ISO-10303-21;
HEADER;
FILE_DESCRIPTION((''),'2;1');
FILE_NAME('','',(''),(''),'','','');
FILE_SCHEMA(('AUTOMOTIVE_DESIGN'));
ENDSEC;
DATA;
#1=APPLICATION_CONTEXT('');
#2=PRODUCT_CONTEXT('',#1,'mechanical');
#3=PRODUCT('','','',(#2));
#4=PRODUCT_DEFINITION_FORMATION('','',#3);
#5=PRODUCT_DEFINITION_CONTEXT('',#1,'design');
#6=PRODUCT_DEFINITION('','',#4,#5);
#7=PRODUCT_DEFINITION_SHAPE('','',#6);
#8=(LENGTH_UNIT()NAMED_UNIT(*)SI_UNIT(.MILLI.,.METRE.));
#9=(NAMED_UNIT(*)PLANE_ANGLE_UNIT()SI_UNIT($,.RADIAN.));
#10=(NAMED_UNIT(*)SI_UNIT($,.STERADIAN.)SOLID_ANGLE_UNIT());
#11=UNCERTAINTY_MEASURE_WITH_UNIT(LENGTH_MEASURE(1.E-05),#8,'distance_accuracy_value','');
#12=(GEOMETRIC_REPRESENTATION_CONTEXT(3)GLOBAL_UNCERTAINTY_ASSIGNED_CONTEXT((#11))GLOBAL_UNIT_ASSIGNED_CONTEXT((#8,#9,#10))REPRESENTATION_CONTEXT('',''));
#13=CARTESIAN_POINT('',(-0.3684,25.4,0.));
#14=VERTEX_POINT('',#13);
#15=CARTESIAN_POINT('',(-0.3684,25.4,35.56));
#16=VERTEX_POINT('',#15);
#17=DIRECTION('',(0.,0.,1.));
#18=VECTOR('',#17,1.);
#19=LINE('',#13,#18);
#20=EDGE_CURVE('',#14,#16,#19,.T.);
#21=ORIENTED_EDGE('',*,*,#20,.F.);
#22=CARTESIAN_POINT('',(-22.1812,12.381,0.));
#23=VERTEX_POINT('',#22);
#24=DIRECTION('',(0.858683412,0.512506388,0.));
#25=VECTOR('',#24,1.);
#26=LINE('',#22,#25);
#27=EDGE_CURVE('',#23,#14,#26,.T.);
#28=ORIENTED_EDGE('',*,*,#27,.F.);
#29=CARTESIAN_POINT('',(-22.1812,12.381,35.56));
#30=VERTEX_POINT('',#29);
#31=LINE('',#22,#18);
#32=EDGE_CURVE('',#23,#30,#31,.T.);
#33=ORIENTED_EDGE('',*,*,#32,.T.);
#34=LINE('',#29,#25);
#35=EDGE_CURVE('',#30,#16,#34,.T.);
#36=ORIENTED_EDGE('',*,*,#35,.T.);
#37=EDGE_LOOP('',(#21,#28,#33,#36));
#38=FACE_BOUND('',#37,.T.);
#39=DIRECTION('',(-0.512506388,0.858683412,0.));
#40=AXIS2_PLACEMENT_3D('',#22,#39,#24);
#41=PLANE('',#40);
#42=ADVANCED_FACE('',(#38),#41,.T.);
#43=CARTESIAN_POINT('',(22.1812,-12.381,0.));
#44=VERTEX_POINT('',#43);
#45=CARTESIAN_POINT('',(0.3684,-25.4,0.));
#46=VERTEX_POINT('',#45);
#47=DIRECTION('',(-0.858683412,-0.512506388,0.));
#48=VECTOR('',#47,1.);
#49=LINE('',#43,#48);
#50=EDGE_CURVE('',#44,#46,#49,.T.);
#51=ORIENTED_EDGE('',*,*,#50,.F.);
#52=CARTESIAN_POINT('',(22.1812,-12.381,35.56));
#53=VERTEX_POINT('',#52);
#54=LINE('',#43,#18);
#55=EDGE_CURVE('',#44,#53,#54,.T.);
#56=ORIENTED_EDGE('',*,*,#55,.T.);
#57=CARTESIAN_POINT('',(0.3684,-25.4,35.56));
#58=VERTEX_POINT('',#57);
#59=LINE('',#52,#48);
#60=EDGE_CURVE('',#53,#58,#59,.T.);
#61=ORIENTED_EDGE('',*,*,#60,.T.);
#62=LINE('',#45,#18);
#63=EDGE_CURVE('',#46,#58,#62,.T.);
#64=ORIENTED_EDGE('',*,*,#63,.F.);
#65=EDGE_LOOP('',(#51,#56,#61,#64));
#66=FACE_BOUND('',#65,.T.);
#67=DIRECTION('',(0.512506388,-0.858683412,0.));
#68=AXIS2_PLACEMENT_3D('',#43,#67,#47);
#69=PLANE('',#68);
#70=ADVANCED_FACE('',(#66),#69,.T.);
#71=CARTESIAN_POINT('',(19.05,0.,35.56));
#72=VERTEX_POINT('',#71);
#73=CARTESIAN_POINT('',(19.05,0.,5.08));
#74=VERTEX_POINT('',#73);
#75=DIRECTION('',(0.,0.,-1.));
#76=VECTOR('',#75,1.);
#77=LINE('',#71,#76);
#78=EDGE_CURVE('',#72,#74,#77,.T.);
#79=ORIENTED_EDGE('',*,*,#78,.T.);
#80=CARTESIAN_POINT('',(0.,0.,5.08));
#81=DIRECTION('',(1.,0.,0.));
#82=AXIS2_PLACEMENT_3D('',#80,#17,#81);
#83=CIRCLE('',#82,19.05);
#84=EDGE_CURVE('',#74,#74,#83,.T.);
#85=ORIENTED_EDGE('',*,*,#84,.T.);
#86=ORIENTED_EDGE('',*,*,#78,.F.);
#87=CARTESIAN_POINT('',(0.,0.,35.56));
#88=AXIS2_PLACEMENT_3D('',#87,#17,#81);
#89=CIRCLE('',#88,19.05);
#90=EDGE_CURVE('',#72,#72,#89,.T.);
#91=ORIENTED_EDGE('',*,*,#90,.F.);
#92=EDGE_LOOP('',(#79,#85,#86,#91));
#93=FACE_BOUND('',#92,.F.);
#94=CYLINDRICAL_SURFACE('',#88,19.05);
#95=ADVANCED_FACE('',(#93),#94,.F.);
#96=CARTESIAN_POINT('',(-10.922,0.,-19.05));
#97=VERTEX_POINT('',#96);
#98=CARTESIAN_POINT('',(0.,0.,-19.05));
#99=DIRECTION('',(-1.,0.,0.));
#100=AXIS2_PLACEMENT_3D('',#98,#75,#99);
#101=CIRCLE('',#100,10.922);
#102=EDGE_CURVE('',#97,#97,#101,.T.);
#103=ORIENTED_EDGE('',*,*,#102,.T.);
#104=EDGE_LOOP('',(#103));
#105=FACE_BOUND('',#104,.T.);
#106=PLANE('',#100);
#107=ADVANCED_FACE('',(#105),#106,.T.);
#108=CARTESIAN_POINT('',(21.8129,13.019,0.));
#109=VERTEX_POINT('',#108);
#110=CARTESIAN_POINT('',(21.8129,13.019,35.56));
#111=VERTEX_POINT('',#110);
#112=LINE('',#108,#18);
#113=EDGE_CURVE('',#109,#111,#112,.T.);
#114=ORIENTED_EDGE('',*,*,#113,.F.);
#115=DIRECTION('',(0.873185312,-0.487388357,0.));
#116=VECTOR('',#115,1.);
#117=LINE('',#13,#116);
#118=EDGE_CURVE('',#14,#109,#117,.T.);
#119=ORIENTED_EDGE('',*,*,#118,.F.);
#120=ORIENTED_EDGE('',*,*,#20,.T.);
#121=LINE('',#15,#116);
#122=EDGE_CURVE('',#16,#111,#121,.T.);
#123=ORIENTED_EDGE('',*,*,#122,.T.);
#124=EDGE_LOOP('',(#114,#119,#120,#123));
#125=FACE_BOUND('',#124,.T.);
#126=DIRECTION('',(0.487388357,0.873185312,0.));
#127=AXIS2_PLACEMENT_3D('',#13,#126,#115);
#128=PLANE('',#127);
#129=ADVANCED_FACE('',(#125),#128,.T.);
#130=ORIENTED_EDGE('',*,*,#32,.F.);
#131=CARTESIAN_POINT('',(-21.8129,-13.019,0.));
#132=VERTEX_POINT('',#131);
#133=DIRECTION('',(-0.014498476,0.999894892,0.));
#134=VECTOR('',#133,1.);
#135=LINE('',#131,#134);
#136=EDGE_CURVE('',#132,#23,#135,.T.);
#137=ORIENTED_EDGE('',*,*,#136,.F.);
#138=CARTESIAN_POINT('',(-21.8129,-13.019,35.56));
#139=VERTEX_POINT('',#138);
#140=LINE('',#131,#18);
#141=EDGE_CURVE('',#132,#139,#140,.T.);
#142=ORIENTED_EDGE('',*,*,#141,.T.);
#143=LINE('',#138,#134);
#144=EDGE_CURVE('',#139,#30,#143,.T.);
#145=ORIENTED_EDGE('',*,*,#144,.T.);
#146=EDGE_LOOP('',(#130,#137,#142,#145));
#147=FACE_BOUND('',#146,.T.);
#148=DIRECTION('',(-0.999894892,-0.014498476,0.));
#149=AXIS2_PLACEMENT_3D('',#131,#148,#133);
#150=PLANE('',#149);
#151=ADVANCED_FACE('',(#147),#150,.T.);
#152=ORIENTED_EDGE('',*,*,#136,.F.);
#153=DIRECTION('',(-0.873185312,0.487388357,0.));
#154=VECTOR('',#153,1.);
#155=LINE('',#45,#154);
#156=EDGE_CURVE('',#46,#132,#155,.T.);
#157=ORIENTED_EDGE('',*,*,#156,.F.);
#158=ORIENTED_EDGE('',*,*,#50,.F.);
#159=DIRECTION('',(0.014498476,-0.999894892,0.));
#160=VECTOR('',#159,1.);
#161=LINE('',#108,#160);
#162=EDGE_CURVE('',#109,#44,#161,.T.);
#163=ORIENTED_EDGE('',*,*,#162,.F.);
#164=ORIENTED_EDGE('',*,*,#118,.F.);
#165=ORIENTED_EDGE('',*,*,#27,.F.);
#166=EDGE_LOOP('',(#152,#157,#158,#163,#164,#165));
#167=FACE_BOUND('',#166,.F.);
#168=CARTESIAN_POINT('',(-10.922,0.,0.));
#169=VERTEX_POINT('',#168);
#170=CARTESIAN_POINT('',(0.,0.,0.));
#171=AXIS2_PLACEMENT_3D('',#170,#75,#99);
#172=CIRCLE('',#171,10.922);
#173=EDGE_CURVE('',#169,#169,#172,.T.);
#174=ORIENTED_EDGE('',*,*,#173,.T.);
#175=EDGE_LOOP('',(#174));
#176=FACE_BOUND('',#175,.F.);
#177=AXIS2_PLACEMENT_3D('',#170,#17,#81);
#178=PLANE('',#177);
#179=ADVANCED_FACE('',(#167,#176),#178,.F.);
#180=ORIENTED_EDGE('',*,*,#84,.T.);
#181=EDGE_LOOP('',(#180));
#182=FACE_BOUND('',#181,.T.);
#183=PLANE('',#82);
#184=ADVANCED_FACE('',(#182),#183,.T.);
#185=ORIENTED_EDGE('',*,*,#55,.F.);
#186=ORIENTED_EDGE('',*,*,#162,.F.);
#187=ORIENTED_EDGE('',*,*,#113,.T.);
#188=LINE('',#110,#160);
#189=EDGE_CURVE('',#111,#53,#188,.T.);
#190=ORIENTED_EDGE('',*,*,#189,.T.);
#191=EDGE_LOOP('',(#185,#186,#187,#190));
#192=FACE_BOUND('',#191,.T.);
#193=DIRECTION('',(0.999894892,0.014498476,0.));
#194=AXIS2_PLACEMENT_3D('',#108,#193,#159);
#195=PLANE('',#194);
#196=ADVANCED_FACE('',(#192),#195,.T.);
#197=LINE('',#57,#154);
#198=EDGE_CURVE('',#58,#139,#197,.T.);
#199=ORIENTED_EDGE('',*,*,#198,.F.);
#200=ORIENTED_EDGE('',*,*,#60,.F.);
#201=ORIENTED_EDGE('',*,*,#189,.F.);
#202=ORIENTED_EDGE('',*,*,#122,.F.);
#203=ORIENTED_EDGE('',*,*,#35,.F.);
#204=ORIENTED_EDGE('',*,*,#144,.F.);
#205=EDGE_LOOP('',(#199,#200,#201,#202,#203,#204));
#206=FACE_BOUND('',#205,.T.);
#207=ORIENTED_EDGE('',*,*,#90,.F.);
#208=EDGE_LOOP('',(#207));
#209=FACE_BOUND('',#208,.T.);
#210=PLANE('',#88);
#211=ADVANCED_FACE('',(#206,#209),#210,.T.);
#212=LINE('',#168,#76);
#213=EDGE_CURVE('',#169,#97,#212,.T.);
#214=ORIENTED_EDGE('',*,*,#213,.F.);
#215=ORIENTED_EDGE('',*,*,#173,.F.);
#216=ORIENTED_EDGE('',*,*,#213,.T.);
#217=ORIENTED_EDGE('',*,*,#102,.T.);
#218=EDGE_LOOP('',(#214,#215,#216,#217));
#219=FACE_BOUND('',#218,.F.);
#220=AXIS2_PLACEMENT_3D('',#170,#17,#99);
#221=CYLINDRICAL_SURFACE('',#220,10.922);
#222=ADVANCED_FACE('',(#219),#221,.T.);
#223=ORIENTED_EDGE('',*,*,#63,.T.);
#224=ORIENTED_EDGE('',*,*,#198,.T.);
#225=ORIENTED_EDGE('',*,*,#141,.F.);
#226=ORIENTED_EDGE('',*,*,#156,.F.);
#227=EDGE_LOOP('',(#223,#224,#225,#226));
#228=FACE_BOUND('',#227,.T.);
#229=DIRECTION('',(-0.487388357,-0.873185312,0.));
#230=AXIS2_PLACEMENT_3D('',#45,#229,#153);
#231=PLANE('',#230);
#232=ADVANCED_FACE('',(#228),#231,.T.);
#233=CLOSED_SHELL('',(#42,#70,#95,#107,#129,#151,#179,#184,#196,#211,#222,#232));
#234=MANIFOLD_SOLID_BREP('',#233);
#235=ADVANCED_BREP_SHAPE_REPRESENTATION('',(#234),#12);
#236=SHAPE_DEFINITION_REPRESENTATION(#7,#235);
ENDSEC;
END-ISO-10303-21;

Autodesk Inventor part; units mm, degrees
ref_plane "YZ Plane" through (0, 0, 0) normal (1, 0, 0) x (0, 1, 0)
ref_plane "XZ Plane" through (0, 0, 0) normal (0, 1, 0) x (-1, 0, 0)
ref_plane "XY Plane" through (0, 0, 0) normal (0, 0, 1) x (1, 0, 0)
sketch "Sketch1" plane through (0, 0, 0) normal (0, 0, 1) x (1, 0, 0)
  line L0 (21.8129, 13.019) -> (22.1812, -12.381)
  line L1 (22.1812, -12.381) -> (0.3684, -25.4)
  line L2 (0.3684, -25.4) -> (-21.8129, -13.019)
  line L3 (-21.8129, -13.019) -> (-22.1812, 12.381)
  line L4 (-22.1812, 12.381) -> (-0.3684, 25.4)
  line L5 (-0.3684, 25.4) -> (21.8129, 13.019)
  point P0 (0, 0)
  point P1 (0, 0)
  dimension "d0" = 25.4
  dimension "d1" = 120
extrude "Extrusion1" add sketch "Sketch1" along normal blind 35.56
sketch "Sketch2" plane through (0, 0, 35.56) normal (0, 0, 1) x (1, 0, 0)
  circle A0 centre (0, 0) radius 19.05
  dimension "d4" = 38.1
extrude "Extrusion2" cut sketch "Sketch2" against normal blind 30.48
sketch "Sketch3" plane through (0, 0, 0) normal (0, 0, -1) x (-1, 0, 0)
  circle A0 centre (0, 0) radius 10.922
  dimension "d7" = 21.844
extrude "Extrusion3" add sketch "Sketch3" along normal blind 19.05
thread "Thread1" size "7/8-9 UNC" class "2A" standard "ANSI Unified Screw Threads" full length
thread "Thread2" size "1 1/2-6 UNC" class "2B" standard "ANSI Unified Screw Threads" full length
properties part number "adapter"
